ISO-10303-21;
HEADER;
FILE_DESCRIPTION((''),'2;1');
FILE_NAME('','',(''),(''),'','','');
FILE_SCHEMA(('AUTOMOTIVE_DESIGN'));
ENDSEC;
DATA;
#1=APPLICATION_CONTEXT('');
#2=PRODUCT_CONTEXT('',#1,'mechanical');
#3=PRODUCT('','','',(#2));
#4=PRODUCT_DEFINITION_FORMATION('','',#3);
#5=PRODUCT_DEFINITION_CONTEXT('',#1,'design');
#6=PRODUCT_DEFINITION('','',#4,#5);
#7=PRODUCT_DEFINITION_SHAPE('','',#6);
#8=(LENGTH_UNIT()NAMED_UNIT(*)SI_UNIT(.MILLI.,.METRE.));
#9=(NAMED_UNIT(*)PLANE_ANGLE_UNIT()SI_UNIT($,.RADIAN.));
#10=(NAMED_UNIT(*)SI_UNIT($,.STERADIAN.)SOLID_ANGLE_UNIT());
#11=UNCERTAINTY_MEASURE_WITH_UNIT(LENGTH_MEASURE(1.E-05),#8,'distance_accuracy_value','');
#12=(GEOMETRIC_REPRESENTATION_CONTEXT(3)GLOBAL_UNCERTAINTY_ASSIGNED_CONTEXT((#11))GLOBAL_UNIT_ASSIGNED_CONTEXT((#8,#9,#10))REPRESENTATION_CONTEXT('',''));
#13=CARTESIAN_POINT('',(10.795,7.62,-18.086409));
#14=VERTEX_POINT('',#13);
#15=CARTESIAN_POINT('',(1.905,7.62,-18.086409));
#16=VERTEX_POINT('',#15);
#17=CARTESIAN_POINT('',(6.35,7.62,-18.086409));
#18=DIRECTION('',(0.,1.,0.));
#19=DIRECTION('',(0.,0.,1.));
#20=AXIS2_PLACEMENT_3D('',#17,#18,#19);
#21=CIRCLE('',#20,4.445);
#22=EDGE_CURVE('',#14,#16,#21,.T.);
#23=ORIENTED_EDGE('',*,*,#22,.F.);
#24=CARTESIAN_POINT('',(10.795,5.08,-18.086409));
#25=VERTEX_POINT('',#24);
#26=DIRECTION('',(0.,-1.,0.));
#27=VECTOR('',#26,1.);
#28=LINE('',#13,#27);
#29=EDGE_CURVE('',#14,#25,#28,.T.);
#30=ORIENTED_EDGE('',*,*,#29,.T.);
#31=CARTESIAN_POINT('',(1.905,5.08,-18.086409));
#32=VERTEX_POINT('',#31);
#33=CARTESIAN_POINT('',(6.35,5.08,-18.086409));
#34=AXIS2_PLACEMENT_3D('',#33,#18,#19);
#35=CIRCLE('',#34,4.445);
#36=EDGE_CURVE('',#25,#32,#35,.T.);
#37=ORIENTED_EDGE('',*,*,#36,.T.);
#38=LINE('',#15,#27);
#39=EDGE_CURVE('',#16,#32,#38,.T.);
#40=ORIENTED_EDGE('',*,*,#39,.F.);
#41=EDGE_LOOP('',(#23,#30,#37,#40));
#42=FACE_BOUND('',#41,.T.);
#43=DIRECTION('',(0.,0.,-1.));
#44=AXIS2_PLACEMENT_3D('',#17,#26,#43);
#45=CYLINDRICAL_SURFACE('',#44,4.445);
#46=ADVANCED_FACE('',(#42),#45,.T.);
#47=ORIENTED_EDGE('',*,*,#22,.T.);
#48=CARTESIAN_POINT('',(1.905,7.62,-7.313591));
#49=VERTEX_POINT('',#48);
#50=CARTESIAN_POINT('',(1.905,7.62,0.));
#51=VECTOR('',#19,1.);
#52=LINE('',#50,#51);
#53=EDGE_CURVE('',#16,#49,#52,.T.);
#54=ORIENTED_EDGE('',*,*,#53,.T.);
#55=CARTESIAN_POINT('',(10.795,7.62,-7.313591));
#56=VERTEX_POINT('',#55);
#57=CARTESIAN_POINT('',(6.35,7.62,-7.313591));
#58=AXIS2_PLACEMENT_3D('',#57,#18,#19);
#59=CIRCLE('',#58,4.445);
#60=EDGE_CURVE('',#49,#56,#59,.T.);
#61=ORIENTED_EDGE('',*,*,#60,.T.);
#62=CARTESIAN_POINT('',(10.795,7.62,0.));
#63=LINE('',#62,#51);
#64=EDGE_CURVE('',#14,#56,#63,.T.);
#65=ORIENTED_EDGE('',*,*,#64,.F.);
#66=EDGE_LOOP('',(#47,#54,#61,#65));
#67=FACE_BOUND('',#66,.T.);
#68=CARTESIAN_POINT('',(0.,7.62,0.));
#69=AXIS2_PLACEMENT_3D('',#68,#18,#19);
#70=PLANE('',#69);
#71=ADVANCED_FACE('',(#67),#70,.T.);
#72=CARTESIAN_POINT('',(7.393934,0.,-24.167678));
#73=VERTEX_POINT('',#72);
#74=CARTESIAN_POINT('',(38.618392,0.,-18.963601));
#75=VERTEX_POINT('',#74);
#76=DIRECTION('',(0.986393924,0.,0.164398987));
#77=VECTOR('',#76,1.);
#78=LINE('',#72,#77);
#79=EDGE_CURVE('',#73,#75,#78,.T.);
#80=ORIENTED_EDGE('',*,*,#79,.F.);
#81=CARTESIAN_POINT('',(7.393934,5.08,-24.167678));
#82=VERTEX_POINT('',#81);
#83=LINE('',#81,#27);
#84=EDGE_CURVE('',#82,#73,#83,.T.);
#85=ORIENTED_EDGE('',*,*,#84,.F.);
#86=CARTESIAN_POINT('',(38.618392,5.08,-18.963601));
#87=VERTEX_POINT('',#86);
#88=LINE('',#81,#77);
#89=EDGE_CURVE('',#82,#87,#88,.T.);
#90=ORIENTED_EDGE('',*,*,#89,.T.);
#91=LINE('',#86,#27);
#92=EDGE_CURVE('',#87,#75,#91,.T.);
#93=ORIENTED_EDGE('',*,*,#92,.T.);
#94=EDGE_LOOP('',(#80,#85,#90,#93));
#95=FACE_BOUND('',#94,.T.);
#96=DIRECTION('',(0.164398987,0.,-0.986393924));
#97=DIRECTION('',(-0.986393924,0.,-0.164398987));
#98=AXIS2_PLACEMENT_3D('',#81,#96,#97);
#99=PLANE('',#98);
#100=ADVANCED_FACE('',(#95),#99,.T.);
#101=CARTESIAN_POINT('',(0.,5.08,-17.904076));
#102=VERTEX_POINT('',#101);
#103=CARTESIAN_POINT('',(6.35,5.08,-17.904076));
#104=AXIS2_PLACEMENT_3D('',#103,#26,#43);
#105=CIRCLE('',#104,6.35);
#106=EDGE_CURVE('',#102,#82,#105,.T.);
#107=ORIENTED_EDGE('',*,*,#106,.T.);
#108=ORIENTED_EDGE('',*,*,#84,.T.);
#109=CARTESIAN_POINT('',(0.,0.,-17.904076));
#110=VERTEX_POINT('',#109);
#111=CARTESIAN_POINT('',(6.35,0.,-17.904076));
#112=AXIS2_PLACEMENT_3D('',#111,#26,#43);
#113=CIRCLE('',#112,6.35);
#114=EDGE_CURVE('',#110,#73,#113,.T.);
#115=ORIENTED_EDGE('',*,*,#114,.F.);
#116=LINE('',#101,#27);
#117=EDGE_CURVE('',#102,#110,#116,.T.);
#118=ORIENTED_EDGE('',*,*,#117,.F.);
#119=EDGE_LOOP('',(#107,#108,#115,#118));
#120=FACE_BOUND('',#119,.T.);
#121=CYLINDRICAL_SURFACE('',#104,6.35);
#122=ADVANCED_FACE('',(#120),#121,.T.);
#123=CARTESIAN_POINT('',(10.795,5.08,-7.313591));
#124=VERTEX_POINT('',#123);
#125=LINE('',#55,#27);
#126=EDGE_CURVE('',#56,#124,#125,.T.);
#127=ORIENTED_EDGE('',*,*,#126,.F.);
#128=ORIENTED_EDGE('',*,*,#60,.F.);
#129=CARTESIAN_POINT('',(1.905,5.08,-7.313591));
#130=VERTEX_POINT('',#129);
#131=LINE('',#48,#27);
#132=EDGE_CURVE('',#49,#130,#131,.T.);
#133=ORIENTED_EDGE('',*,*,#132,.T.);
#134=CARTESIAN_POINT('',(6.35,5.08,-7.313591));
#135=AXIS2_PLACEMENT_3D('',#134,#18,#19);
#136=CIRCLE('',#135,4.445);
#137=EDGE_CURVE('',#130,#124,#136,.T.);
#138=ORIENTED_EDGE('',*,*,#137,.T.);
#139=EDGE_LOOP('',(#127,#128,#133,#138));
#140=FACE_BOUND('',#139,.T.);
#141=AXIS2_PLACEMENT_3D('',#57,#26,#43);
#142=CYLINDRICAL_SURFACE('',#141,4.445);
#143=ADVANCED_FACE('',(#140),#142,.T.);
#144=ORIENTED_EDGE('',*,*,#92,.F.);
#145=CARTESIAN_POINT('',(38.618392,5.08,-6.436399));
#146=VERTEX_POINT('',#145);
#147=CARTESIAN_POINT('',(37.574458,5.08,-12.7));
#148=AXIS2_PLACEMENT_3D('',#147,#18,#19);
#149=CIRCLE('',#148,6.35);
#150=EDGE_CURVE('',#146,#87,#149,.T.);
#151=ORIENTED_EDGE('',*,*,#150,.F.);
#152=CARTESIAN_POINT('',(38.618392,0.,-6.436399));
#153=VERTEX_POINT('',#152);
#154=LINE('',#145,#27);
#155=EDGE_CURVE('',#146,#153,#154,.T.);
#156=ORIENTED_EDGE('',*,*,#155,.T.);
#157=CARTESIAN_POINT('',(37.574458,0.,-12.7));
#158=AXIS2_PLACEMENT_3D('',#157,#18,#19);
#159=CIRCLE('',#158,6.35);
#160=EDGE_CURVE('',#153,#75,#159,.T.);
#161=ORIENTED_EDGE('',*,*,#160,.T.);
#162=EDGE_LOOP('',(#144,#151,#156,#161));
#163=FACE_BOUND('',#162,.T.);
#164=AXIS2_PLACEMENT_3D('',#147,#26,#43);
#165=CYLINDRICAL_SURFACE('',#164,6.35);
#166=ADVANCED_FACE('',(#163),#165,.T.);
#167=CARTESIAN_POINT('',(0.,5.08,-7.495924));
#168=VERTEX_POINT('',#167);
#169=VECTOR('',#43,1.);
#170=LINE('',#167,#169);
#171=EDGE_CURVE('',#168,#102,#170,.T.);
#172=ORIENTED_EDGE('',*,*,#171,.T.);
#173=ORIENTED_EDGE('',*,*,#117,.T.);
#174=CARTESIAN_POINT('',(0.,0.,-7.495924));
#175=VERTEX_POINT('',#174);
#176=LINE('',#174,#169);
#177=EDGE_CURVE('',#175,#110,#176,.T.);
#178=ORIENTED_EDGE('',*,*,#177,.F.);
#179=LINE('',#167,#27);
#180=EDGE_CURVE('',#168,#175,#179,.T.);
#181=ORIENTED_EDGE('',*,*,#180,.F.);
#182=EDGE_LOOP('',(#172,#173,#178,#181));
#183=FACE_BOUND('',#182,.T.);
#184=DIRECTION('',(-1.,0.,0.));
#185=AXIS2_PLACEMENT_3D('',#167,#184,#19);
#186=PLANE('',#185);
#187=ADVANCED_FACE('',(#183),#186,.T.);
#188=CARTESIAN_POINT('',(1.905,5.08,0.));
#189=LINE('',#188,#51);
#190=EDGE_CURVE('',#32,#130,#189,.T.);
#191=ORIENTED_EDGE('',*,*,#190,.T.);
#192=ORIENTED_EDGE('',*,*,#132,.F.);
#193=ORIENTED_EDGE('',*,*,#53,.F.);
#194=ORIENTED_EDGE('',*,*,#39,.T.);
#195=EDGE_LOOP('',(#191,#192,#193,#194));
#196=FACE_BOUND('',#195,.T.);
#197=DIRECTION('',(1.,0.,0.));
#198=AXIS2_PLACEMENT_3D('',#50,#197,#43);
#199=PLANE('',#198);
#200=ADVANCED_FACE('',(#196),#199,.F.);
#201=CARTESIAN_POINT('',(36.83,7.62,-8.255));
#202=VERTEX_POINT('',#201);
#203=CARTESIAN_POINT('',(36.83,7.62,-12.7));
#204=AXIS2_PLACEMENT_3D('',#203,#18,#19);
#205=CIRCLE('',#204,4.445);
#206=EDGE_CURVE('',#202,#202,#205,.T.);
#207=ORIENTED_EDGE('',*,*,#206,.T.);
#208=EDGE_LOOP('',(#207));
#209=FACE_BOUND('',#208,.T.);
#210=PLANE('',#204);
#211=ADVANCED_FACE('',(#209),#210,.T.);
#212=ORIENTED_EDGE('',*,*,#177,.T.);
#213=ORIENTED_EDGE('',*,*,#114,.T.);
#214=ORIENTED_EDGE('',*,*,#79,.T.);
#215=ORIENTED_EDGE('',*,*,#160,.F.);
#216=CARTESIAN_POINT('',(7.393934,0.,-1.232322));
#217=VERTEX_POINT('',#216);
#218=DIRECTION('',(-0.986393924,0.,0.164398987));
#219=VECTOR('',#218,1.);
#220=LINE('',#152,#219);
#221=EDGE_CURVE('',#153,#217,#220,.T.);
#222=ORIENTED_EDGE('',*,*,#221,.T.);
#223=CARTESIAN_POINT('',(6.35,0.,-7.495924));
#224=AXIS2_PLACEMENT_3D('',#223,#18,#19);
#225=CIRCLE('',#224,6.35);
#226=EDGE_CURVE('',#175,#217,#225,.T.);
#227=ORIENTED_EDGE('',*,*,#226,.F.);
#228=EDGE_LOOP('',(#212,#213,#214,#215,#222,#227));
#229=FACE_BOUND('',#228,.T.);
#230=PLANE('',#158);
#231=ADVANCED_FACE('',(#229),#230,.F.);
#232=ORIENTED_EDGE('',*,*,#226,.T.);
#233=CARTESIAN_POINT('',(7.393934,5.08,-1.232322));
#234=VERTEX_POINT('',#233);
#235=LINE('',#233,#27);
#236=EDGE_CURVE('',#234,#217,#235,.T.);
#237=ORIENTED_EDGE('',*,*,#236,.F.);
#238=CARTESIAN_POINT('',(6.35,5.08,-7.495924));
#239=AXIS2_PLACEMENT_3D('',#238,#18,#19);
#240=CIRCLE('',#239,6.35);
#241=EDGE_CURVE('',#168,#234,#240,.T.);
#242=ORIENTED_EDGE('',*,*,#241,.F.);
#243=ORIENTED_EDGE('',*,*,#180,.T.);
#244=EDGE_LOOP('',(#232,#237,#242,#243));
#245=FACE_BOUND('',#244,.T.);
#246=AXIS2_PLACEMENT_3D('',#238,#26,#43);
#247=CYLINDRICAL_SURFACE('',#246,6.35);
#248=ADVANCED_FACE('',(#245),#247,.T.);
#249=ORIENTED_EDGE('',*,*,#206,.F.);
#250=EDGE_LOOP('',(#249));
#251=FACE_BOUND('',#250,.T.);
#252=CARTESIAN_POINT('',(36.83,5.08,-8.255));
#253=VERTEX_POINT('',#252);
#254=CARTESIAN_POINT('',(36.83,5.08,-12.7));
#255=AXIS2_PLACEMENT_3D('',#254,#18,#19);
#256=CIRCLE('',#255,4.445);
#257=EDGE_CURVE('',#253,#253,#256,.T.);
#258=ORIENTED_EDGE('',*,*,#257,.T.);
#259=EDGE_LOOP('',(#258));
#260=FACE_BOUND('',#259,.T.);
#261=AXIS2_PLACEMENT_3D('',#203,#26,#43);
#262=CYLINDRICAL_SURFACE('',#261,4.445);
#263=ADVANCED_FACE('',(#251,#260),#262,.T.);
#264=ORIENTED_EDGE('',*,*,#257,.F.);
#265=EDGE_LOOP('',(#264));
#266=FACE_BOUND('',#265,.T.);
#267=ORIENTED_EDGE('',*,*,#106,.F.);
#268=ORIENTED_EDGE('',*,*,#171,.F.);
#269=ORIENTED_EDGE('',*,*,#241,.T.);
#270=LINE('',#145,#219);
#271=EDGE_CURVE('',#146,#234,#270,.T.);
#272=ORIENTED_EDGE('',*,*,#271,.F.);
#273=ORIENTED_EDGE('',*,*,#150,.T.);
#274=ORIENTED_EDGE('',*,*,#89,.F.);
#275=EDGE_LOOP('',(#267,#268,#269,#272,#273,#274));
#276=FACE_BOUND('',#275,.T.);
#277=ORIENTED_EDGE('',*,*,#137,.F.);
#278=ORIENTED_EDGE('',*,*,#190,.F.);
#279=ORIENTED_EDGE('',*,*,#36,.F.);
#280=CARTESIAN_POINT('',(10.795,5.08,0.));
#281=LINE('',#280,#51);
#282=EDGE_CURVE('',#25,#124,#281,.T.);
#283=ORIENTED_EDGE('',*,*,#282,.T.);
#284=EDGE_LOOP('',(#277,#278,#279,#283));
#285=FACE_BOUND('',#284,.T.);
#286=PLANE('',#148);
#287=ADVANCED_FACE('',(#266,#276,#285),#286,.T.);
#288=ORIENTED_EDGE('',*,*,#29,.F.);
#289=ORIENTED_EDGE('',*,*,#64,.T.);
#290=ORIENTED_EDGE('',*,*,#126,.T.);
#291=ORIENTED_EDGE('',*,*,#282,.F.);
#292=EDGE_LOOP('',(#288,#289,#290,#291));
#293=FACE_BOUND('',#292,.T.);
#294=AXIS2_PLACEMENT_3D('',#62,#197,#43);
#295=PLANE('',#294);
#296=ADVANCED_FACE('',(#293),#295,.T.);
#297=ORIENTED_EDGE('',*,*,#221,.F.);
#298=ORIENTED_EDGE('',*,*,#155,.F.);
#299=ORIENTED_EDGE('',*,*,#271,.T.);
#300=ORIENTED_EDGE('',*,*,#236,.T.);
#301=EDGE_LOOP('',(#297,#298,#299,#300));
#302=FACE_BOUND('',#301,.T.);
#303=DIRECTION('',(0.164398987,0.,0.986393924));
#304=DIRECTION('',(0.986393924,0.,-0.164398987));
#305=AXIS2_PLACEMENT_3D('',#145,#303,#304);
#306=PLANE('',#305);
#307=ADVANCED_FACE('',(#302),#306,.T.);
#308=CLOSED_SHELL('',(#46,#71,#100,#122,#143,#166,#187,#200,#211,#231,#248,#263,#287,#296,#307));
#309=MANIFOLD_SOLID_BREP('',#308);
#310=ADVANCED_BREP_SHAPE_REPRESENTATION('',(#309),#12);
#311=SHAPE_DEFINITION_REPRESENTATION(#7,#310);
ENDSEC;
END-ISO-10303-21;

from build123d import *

# Parameters (mm, degrees)
BOSS_EXTRUDE1_DEPTH = 5.08
SKETCH5_R           = 4.445
BOSS_EXTRUDE2_DEPTH = 2.54


with BuildPart() as part:
    # Sketch1 → Boss-Extrude1 (new body)
    with BuildSketch(Plane(origin=(0, 0, 0), x_dir=(1, 0, 0), z_dir=(0, 1, 0))):
        with BuildLine():
            Line((0, 7.495923678), (0, 17.904076322))
            ThreePointArc((0, 17.904076322), (2.24551941, 22.749253211), (7.393933569, 24.167677738))
            Line((7.393933569, 24.167677738), (38.618391502, 18.963601416))
            ThreePointArc((38.618391502, 18.963601416), (43.924457933, 12.7), (38.618391502, 6.436398584))
            Line((38.618391502, 6.436398584), (7.393933569, 1.232322262))
            ThreePointArc((7.393933569, 1.232322262), (2.24551941, 2.650746789), (0, 7.495923678))
        make_face()
    extrude(amount=BOSS_EXTRUDE1_DEPTH)

    # Sketch5 → Boss-Extrude2 (add)
    with BuildSketch(Plane(origin=(0, 5.08, 0), x_dir=(1, 0, 0), z_dir=(0, 1, 0))):
        with BuildLine():
            Line((1.905, 18.086409435), (1.905, 7.313590565))
            ThreePointArc((1.905, 7.313590565), (6.35, 2.868590565), (10.795, 7.313590565))
            Line((10.795, 7.313590565), (10.795, 18.086409435))
            ThreePointArc((10.795, 18.086409435), (6.35, 22.531409435), (1.905, 18.086409435))
        make_face()
        with Locations((36.83, 12.7)):
            Circle(SKETCH5_R)
    extrude(amount=BOSS_EXTRUDE2_DEPTH)


solid = part.part
